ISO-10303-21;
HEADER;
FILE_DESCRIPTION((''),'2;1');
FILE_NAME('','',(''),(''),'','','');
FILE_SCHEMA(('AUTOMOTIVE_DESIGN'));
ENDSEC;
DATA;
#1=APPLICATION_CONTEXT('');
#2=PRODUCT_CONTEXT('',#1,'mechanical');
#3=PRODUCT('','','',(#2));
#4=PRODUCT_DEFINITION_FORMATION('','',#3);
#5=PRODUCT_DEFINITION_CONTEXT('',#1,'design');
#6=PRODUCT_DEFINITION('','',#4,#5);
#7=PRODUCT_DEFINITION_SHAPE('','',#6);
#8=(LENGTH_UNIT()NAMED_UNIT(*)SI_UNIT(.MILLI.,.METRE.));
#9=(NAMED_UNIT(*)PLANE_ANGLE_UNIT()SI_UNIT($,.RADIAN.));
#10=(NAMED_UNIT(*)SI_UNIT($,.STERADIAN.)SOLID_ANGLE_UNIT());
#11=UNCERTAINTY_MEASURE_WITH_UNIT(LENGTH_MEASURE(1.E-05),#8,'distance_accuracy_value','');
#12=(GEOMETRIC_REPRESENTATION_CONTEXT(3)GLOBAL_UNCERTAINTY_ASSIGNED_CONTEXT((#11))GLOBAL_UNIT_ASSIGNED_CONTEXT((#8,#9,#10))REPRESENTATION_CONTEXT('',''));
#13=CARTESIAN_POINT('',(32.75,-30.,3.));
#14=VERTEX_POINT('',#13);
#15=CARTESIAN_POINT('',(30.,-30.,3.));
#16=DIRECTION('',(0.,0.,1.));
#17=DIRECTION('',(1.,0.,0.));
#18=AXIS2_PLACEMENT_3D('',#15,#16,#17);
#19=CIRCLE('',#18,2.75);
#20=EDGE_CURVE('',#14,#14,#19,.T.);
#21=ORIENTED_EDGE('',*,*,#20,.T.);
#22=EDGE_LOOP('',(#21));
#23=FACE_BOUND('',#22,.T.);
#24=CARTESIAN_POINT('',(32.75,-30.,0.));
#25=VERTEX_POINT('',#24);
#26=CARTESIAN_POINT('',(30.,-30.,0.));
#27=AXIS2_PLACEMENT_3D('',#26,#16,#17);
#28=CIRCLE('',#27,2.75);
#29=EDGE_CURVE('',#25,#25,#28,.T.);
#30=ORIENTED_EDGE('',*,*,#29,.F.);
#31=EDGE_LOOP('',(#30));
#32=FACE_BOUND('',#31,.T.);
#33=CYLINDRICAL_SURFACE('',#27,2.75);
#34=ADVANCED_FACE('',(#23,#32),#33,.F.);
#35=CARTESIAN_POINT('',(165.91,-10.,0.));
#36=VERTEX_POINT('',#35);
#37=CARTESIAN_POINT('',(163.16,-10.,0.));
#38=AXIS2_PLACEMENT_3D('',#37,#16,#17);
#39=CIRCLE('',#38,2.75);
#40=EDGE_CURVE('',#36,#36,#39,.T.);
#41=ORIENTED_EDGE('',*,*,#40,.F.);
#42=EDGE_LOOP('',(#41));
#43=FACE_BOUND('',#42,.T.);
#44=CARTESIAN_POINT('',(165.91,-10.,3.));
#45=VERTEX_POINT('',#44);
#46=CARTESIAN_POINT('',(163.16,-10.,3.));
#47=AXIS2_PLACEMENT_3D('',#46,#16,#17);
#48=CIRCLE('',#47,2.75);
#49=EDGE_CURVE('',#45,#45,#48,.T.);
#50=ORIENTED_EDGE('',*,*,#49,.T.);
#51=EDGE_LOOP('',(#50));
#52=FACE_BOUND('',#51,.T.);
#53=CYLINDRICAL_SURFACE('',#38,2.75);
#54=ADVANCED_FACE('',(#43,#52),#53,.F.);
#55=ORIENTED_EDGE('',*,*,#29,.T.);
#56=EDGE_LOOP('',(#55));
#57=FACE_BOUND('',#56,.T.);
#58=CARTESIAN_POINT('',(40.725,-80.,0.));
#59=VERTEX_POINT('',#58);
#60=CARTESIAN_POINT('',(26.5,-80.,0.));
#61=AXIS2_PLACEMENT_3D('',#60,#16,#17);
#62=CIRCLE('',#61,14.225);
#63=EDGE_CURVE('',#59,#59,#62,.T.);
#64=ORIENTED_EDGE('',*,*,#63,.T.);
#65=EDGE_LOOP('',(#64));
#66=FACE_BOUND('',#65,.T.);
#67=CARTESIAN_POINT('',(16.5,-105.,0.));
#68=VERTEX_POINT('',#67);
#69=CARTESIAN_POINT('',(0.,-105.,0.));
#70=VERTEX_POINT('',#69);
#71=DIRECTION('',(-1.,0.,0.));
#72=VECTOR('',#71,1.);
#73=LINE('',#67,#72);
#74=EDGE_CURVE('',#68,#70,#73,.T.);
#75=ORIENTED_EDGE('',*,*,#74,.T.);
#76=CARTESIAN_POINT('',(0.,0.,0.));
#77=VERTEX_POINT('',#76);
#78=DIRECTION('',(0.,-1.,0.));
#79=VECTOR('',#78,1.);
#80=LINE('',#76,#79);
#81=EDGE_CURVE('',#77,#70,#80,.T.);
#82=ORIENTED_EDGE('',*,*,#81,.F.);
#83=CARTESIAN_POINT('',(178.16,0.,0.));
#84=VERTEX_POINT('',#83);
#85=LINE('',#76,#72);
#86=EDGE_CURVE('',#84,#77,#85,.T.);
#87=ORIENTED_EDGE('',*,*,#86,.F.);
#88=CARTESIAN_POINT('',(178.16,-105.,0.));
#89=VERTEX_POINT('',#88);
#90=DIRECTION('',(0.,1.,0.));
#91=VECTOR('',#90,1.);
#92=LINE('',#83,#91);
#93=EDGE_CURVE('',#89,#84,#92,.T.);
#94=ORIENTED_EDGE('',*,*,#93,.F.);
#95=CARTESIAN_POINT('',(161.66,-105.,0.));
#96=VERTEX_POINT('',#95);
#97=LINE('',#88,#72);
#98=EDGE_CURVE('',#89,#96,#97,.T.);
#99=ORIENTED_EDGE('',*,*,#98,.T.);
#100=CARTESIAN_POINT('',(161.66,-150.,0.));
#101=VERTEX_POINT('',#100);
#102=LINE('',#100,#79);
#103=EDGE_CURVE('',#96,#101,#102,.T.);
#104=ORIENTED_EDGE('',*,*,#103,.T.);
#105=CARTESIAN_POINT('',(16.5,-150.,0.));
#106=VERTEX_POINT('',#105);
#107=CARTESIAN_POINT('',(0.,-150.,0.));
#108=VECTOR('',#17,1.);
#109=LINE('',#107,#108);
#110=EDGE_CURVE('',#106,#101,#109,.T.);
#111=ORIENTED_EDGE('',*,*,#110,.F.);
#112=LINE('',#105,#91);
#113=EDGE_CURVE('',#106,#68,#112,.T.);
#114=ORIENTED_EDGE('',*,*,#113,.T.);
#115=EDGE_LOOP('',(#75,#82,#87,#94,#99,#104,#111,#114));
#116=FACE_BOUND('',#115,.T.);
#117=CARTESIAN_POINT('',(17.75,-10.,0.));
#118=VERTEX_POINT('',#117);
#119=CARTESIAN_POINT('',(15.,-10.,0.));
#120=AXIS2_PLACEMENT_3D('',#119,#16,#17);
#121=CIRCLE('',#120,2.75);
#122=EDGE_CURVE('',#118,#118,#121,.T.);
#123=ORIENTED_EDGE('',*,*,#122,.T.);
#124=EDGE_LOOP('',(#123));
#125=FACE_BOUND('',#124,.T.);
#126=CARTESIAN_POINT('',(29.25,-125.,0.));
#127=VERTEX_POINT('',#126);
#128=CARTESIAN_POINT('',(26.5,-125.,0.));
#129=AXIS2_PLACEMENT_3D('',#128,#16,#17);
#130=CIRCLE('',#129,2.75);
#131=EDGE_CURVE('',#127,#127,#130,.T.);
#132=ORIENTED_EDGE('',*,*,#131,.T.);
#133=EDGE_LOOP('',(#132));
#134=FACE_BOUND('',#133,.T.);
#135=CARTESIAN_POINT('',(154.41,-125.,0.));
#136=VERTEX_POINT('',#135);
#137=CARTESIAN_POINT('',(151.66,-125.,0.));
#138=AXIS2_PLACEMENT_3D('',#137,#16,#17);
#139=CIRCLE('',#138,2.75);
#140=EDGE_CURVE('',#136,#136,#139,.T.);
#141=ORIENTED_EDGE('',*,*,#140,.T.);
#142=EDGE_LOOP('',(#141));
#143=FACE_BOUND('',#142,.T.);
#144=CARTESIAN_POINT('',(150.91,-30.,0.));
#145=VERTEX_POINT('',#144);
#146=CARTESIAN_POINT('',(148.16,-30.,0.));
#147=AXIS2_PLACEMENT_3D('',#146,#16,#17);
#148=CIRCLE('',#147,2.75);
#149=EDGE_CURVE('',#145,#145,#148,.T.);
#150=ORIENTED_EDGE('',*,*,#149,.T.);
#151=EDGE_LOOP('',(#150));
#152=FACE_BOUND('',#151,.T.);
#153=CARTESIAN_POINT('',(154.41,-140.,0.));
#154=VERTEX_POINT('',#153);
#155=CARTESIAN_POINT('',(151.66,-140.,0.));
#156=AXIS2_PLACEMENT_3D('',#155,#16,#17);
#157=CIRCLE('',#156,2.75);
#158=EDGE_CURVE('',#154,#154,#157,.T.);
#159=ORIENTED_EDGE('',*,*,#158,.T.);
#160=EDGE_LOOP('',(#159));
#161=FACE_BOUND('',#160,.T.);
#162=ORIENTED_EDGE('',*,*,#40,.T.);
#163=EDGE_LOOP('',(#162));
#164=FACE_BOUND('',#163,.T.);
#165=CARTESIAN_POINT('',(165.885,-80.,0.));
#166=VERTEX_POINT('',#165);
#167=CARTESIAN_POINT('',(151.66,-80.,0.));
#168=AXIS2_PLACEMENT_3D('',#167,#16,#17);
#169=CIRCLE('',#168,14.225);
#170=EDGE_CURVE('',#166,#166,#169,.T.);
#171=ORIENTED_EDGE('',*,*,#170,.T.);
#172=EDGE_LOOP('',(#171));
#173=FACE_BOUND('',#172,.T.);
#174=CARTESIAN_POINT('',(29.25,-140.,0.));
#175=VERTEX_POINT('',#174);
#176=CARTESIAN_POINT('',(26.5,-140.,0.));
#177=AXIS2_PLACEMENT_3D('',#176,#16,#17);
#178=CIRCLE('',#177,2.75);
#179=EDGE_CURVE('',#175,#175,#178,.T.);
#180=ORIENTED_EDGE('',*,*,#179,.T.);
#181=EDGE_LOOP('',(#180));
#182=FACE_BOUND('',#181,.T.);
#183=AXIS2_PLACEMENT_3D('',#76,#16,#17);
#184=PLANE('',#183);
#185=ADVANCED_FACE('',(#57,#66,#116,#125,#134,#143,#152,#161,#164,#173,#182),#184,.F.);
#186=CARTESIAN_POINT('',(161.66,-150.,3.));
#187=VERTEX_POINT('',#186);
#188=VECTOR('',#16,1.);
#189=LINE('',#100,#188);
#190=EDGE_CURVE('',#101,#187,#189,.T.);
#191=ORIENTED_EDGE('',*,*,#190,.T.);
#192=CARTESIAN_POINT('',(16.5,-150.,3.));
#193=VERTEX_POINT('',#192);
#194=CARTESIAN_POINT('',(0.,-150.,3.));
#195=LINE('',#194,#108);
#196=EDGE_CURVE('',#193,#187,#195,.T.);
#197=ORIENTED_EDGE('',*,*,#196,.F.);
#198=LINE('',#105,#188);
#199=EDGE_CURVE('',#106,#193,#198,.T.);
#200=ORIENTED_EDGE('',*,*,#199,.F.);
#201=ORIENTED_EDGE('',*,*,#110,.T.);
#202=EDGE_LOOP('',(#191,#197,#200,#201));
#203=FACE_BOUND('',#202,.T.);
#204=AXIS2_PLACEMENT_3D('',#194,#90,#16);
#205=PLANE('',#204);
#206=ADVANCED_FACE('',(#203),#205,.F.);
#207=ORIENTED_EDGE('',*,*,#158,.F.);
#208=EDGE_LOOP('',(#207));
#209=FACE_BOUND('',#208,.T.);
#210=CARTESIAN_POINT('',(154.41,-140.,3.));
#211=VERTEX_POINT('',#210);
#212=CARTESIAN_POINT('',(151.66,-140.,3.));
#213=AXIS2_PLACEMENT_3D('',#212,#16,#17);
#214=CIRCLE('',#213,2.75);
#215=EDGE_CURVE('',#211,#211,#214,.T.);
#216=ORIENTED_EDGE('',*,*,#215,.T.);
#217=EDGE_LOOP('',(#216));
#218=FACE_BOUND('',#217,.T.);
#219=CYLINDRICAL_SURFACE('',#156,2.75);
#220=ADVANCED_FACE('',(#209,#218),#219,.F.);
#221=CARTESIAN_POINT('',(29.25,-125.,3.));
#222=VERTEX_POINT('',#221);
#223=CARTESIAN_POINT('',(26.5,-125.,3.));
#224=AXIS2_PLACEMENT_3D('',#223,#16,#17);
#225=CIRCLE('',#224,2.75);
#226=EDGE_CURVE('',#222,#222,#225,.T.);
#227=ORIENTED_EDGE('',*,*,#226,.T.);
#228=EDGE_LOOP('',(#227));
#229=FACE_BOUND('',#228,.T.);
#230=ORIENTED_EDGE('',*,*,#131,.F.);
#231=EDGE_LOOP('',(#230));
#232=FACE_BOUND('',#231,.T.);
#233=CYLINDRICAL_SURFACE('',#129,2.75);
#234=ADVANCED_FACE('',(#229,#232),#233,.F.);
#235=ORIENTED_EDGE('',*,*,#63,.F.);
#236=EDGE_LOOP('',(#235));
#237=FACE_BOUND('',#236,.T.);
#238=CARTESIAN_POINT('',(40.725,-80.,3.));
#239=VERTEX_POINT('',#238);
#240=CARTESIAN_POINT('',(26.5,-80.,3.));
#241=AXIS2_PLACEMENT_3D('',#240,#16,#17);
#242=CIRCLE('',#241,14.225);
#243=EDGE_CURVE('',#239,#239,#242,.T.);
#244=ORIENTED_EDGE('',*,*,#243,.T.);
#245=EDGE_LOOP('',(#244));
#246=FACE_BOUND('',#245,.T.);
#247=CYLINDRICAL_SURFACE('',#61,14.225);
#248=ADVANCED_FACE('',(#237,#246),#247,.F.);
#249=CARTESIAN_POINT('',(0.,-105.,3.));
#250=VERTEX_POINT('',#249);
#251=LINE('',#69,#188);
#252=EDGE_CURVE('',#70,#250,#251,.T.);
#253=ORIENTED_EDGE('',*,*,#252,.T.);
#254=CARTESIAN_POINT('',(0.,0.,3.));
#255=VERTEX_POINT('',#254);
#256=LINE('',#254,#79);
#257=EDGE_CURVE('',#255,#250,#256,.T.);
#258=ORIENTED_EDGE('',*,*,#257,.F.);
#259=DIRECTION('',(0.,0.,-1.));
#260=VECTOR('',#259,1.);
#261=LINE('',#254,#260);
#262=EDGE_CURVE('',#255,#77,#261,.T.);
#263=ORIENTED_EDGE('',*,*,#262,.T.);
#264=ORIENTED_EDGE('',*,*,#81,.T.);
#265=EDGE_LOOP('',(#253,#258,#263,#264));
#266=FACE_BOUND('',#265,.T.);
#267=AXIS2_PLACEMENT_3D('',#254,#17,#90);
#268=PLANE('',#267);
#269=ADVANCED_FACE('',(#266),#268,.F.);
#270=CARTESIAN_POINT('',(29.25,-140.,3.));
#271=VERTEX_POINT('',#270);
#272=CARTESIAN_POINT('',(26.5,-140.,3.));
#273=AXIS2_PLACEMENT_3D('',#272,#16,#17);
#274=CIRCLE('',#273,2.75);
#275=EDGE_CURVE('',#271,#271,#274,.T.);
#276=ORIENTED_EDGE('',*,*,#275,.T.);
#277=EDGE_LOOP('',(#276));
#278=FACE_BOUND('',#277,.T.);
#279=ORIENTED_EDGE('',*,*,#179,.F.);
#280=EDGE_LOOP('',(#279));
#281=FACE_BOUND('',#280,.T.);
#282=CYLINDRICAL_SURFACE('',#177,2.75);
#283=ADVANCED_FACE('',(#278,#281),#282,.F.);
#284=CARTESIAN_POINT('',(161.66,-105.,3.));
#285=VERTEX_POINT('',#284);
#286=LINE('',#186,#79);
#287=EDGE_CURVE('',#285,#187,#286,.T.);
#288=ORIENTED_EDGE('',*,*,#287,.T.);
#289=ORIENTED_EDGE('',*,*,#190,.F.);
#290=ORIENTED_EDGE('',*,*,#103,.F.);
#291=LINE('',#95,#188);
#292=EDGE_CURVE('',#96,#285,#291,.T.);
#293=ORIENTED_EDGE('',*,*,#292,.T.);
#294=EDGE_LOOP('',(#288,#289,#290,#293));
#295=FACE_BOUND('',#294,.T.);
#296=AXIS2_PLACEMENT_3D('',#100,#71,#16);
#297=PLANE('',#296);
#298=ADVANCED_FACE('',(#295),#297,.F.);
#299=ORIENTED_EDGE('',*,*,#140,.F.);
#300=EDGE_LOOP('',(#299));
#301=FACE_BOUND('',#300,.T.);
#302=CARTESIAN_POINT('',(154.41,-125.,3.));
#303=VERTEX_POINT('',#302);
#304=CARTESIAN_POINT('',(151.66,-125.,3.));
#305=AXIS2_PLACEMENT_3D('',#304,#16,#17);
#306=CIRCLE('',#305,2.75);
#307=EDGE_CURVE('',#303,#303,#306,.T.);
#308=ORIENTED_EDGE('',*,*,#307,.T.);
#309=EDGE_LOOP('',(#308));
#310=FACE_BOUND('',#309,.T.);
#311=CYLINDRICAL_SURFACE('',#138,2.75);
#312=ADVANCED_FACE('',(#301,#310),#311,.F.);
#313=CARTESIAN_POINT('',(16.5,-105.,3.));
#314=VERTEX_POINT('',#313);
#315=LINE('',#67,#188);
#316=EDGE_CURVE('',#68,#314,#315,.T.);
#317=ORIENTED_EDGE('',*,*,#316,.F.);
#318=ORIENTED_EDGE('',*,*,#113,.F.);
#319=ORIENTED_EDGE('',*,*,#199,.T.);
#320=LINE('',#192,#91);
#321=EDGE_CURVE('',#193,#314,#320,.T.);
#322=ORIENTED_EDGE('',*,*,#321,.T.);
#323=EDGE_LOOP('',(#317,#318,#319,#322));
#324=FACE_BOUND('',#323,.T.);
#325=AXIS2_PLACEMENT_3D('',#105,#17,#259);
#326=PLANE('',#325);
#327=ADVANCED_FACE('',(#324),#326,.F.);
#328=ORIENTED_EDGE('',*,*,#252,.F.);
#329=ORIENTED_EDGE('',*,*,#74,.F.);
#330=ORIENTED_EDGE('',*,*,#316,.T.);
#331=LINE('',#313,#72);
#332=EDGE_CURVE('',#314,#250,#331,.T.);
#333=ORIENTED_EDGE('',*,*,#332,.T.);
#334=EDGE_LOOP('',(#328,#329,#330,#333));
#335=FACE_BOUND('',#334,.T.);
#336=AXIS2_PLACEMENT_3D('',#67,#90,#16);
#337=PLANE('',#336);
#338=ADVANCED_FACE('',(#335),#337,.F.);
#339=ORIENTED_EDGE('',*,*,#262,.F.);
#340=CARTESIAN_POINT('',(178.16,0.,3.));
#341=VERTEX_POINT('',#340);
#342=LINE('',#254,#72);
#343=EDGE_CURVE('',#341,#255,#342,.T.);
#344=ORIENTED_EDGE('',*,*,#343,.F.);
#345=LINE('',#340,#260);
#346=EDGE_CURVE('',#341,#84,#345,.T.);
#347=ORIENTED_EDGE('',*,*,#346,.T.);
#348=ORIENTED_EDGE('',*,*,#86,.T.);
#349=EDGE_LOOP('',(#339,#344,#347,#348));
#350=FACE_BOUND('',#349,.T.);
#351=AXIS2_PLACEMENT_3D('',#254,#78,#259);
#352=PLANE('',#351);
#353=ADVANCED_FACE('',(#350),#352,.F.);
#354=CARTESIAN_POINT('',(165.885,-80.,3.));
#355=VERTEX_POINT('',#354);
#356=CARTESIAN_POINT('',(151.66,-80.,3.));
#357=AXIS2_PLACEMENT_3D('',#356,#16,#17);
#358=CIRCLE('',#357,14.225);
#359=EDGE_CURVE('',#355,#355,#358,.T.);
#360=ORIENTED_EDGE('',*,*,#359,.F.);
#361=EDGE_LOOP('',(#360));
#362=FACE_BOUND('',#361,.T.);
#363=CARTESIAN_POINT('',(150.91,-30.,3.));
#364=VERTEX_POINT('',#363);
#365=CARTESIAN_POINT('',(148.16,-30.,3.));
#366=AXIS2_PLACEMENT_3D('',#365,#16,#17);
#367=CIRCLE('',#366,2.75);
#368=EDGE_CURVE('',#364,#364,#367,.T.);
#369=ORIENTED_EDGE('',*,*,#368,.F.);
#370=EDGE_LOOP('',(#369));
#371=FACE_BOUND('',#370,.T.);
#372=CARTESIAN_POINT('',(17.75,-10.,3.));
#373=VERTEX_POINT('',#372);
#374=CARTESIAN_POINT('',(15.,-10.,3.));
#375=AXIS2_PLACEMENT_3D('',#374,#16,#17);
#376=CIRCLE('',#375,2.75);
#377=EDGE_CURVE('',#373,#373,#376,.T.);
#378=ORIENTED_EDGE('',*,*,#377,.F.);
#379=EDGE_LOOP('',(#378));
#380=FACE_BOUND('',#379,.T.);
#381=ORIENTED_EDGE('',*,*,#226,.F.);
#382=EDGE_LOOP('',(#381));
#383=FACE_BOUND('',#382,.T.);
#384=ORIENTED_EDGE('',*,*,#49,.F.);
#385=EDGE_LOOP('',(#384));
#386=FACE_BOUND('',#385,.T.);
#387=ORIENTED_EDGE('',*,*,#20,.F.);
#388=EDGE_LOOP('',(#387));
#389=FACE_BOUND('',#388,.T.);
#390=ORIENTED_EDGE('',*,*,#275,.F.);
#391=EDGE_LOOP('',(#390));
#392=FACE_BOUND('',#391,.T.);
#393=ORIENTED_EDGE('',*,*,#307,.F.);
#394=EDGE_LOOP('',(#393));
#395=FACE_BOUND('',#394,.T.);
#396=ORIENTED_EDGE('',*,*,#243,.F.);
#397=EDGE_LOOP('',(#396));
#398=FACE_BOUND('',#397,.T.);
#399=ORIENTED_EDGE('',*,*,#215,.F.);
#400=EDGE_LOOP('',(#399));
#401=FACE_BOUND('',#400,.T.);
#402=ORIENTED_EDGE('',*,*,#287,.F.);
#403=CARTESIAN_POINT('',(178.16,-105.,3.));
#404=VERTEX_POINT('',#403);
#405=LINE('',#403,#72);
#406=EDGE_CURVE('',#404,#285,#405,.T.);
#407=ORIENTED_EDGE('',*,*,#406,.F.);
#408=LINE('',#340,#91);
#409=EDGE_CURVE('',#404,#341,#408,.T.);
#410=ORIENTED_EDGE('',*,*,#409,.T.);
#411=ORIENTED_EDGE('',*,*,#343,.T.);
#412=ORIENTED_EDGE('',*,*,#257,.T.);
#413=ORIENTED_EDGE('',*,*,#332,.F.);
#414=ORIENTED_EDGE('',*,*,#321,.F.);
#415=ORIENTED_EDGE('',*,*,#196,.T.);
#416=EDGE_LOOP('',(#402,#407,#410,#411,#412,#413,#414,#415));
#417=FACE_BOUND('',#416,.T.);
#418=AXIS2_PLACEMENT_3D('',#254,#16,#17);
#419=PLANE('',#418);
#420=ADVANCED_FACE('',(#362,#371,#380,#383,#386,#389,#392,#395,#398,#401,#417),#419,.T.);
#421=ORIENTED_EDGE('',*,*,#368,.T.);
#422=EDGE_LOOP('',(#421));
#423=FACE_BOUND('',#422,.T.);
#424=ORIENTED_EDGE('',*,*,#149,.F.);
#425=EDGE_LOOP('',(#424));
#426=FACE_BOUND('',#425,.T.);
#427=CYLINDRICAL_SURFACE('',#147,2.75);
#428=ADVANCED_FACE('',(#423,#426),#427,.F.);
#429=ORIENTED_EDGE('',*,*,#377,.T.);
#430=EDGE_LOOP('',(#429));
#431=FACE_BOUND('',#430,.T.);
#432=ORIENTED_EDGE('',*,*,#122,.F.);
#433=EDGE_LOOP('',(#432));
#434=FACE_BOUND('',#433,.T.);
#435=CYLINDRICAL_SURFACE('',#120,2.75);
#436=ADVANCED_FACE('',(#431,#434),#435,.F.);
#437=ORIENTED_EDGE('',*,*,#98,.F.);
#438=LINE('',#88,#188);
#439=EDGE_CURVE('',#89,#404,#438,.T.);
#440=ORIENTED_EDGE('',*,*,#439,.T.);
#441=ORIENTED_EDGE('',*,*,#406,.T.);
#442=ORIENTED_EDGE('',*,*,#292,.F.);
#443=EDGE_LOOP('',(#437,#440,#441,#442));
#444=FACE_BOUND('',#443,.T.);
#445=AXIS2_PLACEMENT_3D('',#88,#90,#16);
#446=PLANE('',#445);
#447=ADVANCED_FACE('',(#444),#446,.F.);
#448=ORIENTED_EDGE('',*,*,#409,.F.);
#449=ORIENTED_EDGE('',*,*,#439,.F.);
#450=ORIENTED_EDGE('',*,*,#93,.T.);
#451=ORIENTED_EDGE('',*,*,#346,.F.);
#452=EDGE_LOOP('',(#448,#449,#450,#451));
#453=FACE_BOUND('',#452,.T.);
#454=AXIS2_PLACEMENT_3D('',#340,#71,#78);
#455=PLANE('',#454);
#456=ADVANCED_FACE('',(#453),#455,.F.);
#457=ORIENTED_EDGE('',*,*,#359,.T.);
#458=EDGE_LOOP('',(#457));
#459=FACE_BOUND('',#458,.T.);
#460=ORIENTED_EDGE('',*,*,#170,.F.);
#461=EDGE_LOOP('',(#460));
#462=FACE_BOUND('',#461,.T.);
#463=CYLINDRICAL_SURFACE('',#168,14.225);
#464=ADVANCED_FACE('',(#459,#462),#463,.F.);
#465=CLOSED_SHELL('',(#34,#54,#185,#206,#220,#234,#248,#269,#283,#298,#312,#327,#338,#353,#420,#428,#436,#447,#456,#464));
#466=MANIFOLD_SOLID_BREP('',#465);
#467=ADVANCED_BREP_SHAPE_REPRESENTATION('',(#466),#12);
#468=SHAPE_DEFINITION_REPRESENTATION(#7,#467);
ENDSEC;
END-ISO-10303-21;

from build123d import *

# Parameters (mm, degrees)
SKETCH1_W           = 178.16
SKETCH1_H           = 150
BOSS_EXTRUDE1_DEPTH = 3
SKETCH2_R           = 14.225
SKETCH2_R_2         = 2.75
CUT_EXTRUDE1_DEPTH  = 4
SKETCH4_W           = 16.5
SKETCH4_H           = 45
CUT_EXTRUDE3_DEPTH  = 4
SKETCH5_R           = 2.75
CUT_EXTRUDE4_DEPTH  = 4


with BuildPart() as part:
    # Sketch1 → Boss-Extrude1 (new body)
    with BuildSketch(Plane.XY):
        with Locations((89.08, -75)):
            Rectangle(SKETCH1_W, SKETCH1_H)
    extrude(amount=BOSS_EXTRUDE1_DEPTH)

    # Sketch2 → Cut-Extrude1 (cut, through all)
    with BuildSketch(Plane.XY.offset(3)):
        with Locations((26.5, -80)):
            Circle(SKETCH2_R)
        with Locations((151.66, -80)):
            Circle(SKETCH2_R)
        with Locations((26.5, -140)):
            Circle(SKETCH2_R_2)
        with Locations((151.66, -140)):
            Circle(SKETCH2_R_2)
        with Locations((26.5, -125)):
            Circle(SKETCH2_R_2)
        with Locations((151.66, -125)):
            Circle(SKETCH2_R_2)
    extrude(amount=-CUT_EXTRUDE1_DEPTH, mode=Mode.SUBTRACT)

    # Sketch4 → Cut-Extrude3 (cut, through all)
    with BuildSketch(Plane.XY.offset(3)):
        with Locations((8.25, -127.5)):
            Rectangle(SKETCH4_W, SKETCH4_H)
        with Locations((169.91, -127.5)):
            Rectangle(SKETCH4_W, SKETCH4_H)
    extrude(amount=-CUT_EXTRUDE3_DEPTH, mode=Mode.SUBTRACT)

    # Sketch5 → Cut-Extrude4 (cut, through all)
    with BuildSketch(Plane.XY.offset(3)):
        with Locations((163.16, -10)):
            Circle(SKETCH5_R)
        with Locations((15, -10)):
            Circle(SKETCH5_R)
        with Locations((148.16, -30)):
            Circle(SKETCH5_R)
        with Locations((30, -30)):
            Circle(SKETCH5_R)
    extrude(amount=-CUT_EXTRUDE4_DEPTH, mode=Mode.SUBTRACT)


solid = part.part
